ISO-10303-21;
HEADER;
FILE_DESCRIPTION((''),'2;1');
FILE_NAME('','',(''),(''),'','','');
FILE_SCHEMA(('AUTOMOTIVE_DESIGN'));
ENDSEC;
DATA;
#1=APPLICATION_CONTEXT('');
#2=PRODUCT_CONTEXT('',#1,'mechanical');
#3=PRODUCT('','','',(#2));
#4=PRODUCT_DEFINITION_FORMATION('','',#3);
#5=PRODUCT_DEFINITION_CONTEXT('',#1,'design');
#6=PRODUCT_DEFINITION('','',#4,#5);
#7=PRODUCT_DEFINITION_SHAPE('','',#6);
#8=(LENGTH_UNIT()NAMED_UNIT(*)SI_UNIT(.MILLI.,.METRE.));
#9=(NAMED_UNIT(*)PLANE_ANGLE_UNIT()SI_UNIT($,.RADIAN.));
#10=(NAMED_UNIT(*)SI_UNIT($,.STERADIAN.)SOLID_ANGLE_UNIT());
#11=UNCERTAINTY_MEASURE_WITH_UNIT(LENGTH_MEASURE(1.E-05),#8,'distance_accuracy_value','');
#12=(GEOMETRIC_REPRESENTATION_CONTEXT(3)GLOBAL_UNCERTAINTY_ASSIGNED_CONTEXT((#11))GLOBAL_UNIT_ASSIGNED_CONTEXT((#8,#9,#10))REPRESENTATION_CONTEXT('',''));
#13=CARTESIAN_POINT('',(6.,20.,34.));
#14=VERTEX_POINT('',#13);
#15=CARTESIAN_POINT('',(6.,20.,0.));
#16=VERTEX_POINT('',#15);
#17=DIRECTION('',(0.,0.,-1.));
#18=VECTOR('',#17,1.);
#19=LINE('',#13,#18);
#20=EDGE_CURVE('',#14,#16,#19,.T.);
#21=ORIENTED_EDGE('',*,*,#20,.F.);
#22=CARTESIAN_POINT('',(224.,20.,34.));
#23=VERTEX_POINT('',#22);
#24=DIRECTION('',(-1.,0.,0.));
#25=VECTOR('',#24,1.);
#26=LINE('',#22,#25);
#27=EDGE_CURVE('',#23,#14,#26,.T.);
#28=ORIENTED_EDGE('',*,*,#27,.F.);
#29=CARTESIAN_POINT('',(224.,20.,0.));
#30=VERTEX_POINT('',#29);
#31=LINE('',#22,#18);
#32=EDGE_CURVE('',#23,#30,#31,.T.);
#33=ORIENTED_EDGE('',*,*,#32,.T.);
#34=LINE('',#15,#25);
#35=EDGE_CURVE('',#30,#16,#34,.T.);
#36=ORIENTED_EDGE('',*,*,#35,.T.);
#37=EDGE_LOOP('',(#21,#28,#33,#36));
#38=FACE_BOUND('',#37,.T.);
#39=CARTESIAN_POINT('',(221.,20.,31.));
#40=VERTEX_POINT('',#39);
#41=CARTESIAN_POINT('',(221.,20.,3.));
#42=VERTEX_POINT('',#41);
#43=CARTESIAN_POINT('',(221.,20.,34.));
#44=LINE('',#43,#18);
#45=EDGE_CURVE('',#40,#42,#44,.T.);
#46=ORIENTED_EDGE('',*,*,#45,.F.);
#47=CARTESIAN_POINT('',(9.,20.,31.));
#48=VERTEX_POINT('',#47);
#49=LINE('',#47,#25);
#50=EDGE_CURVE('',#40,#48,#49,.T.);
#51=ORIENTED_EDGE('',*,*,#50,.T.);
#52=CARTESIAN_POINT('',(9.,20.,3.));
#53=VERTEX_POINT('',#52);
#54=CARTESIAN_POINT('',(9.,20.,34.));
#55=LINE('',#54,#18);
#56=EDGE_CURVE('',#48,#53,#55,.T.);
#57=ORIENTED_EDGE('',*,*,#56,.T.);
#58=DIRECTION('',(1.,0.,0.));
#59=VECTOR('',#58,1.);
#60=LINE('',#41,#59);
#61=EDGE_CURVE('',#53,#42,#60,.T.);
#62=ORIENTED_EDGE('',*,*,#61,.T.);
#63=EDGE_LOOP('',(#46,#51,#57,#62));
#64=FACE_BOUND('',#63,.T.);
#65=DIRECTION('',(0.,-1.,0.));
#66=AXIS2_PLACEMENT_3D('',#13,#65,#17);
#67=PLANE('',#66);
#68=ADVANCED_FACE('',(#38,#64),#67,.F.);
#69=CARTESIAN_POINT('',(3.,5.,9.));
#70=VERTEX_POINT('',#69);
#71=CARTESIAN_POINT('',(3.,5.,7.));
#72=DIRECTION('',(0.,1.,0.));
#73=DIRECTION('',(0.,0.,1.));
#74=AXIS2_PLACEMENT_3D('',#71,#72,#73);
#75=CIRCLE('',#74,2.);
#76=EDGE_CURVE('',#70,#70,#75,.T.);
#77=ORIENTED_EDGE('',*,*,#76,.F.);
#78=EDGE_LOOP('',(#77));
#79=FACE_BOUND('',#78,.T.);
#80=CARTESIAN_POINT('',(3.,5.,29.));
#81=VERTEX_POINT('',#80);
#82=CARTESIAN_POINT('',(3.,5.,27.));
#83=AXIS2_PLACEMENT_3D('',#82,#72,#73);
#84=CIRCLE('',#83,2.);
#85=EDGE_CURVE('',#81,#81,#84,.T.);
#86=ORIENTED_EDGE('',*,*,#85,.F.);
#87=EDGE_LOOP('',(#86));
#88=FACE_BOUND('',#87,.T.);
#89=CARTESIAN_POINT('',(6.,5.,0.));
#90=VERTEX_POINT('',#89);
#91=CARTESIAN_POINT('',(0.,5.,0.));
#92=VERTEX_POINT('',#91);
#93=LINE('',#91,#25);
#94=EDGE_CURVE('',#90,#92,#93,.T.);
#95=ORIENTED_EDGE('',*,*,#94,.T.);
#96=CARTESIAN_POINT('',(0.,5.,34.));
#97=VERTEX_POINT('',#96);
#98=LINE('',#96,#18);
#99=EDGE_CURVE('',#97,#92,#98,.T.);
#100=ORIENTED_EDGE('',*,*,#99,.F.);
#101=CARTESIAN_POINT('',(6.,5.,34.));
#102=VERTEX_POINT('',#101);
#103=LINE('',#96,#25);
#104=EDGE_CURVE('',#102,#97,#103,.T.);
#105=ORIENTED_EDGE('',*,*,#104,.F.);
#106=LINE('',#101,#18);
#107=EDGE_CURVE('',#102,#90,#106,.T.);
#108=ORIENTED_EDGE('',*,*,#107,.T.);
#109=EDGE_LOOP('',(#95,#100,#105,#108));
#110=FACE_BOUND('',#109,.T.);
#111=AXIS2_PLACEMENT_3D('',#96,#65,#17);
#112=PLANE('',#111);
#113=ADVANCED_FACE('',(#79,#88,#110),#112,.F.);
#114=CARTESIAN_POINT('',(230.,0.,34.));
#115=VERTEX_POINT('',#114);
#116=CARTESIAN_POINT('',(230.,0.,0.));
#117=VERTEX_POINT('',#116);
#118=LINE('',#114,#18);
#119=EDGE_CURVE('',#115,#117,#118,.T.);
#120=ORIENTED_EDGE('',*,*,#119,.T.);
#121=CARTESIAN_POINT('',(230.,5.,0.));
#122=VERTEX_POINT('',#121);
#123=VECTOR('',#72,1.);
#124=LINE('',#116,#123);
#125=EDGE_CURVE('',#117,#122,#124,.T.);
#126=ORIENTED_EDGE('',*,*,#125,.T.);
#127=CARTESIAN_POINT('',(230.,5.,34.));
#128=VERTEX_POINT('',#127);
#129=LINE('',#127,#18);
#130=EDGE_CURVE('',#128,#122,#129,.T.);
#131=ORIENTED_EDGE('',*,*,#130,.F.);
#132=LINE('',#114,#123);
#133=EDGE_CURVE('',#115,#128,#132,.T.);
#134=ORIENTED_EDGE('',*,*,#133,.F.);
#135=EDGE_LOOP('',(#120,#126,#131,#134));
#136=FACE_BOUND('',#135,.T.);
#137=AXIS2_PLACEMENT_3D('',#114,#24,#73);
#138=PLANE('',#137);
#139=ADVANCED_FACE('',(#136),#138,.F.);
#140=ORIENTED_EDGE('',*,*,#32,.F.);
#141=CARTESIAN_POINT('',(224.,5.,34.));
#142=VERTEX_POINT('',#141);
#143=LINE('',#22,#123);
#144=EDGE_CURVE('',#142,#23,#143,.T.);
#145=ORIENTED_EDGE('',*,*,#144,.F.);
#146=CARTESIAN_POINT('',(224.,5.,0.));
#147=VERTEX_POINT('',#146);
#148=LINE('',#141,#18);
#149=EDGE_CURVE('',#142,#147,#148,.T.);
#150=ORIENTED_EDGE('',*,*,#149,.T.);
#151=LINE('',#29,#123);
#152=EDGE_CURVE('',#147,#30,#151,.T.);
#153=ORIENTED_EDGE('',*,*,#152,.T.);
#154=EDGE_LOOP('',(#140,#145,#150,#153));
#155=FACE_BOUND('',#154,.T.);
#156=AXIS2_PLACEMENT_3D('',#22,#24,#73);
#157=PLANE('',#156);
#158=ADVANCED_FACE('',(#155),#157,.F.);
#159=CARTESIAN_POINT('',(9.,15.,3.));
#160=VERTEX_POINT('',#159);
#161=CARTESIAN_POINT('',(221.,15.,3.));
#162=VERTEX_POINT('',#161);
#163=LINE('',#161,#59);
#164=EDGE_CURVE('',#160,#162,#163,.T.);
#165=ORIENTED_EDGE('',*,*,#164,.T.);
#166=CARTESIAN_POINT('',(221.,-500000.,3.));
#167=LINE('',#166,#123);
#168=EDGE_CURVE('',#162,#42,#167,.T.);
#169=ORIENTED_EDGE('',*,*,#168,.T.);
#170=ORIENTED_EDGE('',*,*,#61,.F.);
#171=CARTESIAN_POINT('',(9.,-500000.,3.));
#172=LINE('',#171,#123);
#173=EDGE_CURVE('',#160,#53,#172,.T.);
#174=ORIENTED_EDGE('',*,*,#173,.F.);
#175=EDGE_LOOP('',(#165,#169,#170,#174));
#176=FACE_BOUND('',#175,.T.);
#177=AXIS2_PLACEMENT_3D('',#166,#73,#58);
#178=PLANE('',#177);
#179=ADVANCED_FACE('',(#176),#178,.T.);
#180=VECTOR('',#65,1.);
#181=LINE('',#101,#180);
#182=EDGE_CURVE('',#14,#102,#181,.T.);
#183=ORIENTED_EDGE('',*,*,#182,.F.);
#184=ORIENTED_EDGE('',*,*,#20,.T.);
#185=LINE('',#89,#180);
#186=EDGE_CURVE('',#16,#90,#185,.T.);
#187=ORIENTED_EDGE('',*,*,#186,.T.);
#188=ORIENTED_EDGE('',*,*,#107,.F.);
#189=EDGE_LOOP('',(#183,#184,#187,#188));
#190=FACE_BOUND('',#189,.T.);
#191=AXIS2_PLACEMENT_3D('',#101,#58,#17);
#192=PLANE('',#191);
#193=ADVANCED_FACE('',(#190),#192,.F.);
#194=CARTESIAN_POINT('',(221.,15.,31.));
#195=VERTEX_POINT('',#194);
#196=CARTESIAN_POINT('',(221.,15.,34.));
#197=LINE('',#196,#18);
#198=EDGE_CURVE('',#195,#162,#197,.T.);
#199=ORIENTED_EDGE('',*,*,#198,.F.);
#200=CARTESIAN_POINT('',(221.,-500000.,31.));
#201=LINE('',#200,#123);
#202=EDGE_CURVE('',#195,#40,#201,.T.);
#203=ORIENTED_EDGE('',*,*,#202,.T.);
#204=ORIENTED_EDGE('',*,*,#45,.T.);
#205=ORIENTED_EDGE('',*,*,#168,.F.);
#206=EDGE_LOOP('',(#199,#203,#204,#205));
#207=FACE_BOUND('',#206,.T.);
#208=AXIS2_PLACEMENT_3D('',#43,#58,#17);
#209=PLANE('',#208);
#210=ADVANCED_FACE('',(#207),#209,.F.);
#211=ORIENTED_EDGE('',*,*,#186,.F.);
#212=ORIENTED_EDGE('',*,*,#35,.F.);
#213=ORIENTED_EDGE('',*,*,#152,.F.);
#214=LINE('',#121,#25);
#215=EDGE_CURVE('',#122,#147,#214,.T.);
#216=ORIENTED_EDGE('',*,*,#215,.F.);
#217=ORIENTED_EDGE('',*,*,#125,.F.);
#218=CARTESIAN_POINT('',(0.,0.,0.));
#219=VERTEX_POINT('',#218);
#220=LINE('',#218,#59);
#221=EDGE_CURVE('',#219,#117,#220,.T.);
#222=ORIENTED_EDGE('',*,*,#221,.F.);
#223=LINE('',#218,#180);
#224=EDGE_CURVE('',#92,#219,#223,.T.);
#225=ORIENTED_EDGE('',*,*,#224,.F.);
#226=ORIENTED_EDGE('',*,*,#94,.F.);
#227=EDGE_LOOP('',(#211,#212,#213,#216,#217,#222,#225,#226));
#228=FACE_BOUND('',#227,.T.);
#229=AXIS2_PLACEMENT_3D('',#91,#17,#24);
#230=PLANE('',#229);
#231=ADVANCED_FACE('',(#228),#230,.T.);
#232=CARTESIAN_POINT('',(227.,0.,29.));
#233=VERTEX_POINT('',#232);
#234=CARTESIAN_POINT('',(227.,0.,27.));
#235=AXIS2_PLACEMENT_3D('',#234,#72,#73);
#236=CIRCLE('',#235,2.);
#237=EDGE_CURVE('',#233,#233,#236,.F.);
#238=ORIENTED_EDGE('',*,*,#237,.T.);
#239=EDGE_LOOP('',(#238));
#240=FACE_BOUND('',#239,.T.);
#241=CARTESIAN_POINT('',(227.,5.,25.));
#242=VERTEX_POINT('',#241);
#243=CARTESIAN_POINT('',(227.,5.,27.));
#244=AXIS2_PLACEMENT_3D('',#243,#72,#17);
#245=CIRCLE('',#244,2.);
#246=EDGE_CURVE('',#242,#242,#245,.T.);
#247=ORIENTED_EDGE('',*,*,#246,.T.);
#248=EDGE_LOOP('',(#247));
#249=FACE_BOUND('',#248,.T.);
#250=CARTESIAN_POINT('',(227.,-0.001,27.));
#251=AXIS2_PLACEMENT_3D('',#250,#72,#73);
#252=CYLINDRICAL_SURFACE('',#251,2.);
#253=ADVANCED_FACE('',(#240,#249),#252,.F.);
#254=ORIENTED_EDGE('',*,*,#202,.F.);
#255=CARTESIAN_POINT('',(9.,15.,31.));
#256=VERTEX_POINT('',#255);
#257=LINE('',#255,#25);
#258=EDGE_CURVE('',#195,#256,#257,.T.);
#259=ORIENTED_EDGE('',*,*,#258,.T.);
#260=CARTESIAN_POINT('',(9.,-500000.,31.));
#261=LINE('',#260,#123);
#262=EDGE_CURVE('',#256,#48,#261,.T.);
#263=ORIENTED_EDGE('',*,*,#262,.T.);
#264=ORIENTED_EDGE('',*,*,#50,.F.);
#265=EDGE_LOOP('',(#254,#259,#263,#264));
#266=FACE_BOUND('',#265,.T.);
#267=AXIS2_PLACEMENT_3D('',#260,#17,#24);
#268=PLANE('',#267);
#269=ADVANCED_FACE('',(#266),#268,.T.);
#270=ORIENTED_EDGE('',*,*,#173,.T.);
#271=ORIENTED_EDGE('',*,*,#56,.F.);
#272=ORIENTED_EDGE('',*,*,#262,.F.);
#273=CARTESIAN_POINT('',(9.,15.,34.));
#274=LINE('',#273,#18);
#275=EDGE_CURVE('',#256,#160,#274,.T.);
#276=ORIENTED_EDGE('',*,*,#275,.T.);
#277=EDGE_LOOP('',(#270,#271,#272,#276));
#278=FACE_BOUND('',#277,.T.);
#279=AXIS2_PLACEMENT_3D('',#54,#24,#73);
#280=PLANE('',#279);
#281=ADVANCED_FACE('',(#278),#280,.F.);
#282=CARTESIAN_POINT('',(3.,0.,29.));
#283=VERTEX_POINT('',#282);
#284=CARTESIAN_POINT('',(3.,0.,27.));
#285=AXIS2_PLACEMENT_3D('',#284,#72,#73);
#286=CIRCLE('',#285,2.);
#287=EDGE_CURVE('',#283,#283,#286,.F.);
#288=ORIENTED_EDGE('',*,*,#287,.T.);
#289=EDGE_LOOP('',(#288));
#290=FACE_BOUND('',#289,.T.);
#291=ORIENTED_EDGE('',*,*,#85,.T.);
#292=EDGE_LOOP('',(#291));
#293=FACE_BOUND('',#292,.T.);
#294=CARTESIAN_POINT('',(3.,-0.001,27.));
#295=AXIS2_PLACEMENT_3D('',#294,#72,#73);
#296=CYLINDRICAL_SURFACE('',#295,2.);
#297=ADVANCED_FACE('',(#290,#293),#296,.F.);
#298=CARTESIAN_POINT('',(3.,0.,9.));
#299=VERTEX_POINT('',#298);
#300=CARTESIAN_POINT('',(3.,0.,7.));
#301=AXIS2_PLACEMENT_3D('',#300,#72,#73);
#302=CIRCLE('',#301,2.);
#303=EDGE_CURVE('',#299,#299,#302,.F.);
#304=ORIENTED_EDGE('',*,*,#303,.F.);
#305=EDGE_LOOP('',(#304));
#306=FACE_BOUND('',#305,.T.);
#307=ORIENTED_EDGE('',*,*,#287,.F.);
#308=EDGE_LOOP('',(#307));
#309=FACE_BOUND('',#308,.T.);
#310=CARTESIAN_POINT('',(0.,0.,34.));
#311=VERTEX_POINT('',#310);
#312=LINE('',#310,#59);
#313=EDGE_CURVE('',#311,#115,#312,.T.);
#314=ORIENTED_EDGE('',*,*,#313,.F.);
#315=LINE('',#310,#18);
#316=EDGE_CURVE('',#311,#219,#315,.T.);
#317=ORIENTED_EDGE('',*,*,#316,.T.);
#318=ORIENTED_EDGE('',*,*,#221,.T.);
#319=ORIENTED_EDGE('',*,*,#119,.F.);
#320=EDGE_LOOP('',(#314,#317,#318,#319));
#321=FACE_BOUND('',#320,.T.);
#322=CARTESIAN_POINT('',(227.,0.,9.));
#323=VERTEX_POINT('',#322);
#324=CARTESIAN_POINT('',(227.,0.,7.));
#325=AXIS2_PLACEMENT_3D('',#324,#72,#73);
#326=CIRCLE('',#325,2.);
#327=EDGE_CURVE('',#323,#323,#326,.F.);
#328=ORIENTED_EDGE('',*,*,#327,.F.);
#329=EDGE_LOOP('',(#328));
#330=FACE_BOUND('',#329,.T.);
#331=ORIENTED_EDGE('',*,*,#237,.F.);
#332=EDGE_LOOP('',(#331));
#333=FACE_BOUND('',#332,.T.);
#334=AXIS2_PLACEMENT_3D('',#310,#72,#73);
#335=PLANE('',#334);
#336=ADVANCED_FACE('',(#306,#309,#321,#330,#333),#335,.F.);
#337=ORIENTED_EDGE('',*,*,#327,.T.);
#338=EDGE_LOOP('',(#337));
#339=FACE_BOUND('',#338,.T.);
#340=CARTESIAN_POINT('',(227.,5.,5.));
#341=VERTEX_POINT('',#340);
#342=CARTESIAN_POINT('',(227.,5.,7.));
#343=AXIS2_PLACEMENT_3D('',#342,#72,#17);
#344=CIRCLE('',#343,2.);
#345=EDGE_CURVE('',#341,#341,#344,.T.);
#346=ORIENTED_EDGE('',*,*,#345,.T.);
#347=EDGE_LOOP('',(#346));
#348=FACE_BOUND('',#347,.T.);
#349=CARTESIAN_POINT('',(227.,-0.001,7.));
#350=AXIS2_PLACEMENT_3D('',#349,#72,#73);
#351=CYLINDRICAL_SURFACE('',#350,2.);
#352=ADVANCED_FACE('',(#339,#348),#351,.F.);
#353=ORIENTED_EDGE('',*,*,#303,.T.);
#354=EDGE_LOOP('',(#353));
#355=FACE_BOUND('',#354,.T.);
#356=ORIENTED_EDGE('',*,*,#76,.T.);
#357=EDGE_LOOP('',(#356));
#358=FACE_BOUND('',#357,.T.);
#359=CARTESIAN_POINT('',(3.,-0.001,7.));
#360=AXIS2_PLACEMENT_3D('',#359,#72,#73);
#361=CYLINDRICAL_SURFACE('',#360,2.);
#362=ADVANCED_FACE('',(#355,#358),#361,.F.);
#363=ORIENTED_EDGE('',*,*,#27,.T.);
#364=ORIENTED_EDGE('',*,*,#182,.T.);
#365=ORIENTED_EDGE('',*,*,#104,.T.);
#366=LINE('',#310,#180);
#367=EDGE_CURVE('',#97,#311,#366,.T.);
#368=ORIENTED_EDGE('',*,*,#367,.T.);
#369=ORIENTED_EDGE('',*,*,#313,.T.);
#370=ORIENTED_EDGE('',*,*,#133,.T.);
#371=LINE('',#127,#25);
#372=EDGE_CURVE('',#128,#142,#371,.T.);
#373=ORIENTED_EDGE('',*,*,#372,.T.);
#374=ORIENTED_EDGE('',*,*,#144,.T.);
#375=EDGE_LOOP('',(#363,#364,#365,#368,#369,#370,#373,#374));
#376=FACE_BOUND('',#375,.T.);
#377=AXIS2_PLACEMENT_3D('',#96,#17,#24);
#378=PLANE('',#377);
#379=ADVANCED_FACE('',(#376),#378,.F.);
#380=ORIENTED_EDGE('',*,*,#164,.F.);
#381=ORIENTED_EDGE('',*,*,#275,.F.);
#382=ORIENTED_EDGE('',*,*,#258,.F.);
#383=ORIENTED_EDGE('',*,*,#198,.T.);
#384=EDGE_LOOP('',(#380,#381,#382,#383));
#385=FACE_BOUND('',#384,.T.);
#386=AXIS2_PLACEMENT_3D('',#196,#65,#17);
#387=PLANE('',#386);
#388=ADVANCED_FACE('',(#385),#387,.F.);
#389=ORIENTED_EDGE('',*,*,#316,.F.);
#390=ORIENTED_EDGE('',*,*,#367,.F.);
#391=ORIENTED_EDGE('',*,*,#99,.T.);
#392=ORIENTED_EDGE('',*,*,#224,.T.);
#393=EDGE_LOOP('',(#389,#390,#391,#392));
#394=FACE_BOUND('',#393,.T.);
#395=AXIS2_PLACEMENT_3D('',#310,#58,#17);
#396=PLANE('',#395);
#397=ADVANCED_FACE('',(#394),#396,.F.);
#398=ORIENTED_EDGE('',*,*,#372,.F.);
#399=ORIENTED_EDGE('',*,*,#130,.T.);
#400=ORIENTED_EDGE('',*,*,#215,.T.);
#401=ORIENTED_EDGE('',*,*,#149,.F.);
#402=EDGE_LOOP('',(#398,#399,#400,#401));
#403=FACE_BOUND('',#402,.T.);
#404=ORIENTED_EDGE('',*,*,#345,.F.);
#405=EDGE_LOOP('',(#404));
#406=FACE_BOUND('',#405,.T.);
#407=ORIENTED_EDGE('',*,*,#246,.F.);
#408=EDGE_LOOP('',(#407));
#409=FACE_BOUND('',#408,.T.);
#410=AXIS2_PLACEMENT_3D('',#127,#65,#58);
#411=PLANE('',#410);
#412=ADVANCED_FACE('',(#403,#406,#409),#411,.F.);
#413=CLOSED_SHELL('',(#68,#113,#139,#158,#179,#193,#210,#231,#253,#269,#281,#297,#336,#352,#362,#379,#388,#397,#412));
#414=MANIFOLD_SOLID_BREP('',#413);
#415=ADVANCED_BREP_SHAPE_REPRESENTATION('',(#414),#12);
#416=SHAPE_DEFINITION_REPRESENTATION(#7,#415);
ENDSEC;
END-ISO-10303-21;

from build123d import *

# Parameters (mm, degrees)
BOSS_EXTRUDE1_DEPTH = 34
BOSS_EXTRUDE2_REACH = 22
SKETCH2_W           = 212
SKETCH2_H           = 3
CUT_EXTRUDE1_REACH  = 7
SKETCH3_R           = 2


with BuildPart() as part:
    # Sketch1 → Boss-Extrude1 (new body)
    with BuildSketch(Plane.XY):
        Polygon((0, 0), (230, 0), (230, 5), (224, 5), (224, 20), (221, 20), (221, 15), (9, 15), (9, 20), (6, 20), (6, 5), (0, 5), align=None)
    extrude(amount=BOSS_EXTRUDE1_DEPTH)

    # Sketch2 → Boss-Extrude2 (add, up to next)
    with BuildSketch(Plane(origin=(0, 20, 0), x_dir=(1, 0, 0), z_dir=(0, 1, 0)), mode=Mode.PRIVATE) as boss_extrude2_sk1:
        with Locations((115, -1.5)):
            Rectangle(SKETCH2_W, SKETCH2_H)
    boss_extrude2_tool1 = extrude(boss_extrude2_sk1.sketch, amount=-BOSS_EXTRUDE2_REACH, mode=Mode.PRIVATE) - part.part
    add(boss_extrude2_tool1.solids().sort_by_distance((115, 20, 1.5))[0])
    # Sketch2 → Boss-Extrude2 (add, up to next)
    with BuildSketch(Plane(origin=(0, 20, 0), x_dir=(1, 0, 0), z_dir=(0, 1, 0)), mode=Mode.PRIVATE) as boss_extrude2_sk2:
        with Locations((115, -32.5)):
            Rectangle(SKETCH2_W, SKETCH2_H)
    boss_extrude2_tool2 = extrude(boss_extrude2_sk2.sketch, amount=-BOSS_EXTRUDE2_REACH, mode=Mode.PRIVATE) - part.part
    add(boss_extrude2_tool2.solids().sort_by_distance((115, 20, 32.5))[0])

    # Sketch3 → Cut-Extrude1 (cut, up to next)
    with BuildSketch(Plane(origin=(0, 5, 0), x_dir=(1, 0, 0), z_dir=(0, 1, 0)), mode=Mode.PRIVATE) as cut_extrude1_sk1:
        with Locations(Location((3, -7, 0), (0, 0, 270))):  # turned: the seam where the file's is
            Circle(SKETCH3_R)
    cut_extrude1_tool1 = extrude(cut_extrude1_sk1.sketch, amount=-CUT_EXTRUDE1_REACH, mode=Mode.PRIVATE) & part.part
    add(cut_extrude1_tool1.solids().sort_by_distance((3, 5, 7))[0], mode=Mode.SUBTRACT)
    # Sketch3 → Cut-Extrude1 (cut, up to next)
    with BuildSketch(Plane(origin=(0, 5, 0), x_dir=(1, 0, 0), z_dir=(0, 1, 0)), mode=Mode.PRIVATE) as cut_extrude1_sk2:
        with Locations(Location((3, -27, 0), (0, 0, 270))):  # turned: the seam where the file's is
            Circle(SKETCH3_R)
    cut_extrude1_tool2 = extrude(cut_extrude1_sk2.sketch, amount=-CUT_EXTRUDE1_REACH, mode=Mode.PRIVATE) & part.part
    add(cut_extrude1_tool2.solids().sort_by_distance((3, 5, 27))[0], mode=Mode.SUBTRACT)
    # Sketch3 → Cut-Extrude1 (cut, up to next)
    with BuildSketch(Plane(origin=(0, 5, 0), x_dir=(1, 0, 0), z_dir=(0, 1, 0)), mode=Mode.PRIVATE) as cut_extrude1_sk3:
        with Locations(Location((227, -27, 0), (0, 0, 270))):  # turned: the seam where the file's is
            Circle(SKETCH3_R)
    cut_extrude1_tool3 = extrude(cut_extrude1_sk3.sketch, amount=-CUT_EXTRUDE1_REACH, mode=Mode.PRIVATE) & part.part
    add(cut_extrude1_tool3.solids().sort_by_distance((227, 5, 27))[0], mode=Mode.SUBTRACT)
    # Sketch3 → Cut-Extrude1 (cut, up to next)
    with BuildSketch(Plane(origin=(0, 5, 0), x_dir=(1, 0, 0), z_dir=(0, 1, 0)), mode=Mode.PRIVATE) as cut_extrude1_sk4:
        with Locations(Location((227, -7, 0), (0, 0, 270))):  # turned: the seam where the file's is
            Circle(SKETCH3_R)
    cut_extrude1_tool4 = extrude(cut_extrude1_sk4.sketch, amount=-CUT_EXTRUDE1_REACH, mode=Mode.PRIVATE) & part.part
    add(cut_extrude1_tool4.solids().sort_by_distance((227, 5, 7))[0], mode=Mode.SUBTRACT)


solid = part.part
